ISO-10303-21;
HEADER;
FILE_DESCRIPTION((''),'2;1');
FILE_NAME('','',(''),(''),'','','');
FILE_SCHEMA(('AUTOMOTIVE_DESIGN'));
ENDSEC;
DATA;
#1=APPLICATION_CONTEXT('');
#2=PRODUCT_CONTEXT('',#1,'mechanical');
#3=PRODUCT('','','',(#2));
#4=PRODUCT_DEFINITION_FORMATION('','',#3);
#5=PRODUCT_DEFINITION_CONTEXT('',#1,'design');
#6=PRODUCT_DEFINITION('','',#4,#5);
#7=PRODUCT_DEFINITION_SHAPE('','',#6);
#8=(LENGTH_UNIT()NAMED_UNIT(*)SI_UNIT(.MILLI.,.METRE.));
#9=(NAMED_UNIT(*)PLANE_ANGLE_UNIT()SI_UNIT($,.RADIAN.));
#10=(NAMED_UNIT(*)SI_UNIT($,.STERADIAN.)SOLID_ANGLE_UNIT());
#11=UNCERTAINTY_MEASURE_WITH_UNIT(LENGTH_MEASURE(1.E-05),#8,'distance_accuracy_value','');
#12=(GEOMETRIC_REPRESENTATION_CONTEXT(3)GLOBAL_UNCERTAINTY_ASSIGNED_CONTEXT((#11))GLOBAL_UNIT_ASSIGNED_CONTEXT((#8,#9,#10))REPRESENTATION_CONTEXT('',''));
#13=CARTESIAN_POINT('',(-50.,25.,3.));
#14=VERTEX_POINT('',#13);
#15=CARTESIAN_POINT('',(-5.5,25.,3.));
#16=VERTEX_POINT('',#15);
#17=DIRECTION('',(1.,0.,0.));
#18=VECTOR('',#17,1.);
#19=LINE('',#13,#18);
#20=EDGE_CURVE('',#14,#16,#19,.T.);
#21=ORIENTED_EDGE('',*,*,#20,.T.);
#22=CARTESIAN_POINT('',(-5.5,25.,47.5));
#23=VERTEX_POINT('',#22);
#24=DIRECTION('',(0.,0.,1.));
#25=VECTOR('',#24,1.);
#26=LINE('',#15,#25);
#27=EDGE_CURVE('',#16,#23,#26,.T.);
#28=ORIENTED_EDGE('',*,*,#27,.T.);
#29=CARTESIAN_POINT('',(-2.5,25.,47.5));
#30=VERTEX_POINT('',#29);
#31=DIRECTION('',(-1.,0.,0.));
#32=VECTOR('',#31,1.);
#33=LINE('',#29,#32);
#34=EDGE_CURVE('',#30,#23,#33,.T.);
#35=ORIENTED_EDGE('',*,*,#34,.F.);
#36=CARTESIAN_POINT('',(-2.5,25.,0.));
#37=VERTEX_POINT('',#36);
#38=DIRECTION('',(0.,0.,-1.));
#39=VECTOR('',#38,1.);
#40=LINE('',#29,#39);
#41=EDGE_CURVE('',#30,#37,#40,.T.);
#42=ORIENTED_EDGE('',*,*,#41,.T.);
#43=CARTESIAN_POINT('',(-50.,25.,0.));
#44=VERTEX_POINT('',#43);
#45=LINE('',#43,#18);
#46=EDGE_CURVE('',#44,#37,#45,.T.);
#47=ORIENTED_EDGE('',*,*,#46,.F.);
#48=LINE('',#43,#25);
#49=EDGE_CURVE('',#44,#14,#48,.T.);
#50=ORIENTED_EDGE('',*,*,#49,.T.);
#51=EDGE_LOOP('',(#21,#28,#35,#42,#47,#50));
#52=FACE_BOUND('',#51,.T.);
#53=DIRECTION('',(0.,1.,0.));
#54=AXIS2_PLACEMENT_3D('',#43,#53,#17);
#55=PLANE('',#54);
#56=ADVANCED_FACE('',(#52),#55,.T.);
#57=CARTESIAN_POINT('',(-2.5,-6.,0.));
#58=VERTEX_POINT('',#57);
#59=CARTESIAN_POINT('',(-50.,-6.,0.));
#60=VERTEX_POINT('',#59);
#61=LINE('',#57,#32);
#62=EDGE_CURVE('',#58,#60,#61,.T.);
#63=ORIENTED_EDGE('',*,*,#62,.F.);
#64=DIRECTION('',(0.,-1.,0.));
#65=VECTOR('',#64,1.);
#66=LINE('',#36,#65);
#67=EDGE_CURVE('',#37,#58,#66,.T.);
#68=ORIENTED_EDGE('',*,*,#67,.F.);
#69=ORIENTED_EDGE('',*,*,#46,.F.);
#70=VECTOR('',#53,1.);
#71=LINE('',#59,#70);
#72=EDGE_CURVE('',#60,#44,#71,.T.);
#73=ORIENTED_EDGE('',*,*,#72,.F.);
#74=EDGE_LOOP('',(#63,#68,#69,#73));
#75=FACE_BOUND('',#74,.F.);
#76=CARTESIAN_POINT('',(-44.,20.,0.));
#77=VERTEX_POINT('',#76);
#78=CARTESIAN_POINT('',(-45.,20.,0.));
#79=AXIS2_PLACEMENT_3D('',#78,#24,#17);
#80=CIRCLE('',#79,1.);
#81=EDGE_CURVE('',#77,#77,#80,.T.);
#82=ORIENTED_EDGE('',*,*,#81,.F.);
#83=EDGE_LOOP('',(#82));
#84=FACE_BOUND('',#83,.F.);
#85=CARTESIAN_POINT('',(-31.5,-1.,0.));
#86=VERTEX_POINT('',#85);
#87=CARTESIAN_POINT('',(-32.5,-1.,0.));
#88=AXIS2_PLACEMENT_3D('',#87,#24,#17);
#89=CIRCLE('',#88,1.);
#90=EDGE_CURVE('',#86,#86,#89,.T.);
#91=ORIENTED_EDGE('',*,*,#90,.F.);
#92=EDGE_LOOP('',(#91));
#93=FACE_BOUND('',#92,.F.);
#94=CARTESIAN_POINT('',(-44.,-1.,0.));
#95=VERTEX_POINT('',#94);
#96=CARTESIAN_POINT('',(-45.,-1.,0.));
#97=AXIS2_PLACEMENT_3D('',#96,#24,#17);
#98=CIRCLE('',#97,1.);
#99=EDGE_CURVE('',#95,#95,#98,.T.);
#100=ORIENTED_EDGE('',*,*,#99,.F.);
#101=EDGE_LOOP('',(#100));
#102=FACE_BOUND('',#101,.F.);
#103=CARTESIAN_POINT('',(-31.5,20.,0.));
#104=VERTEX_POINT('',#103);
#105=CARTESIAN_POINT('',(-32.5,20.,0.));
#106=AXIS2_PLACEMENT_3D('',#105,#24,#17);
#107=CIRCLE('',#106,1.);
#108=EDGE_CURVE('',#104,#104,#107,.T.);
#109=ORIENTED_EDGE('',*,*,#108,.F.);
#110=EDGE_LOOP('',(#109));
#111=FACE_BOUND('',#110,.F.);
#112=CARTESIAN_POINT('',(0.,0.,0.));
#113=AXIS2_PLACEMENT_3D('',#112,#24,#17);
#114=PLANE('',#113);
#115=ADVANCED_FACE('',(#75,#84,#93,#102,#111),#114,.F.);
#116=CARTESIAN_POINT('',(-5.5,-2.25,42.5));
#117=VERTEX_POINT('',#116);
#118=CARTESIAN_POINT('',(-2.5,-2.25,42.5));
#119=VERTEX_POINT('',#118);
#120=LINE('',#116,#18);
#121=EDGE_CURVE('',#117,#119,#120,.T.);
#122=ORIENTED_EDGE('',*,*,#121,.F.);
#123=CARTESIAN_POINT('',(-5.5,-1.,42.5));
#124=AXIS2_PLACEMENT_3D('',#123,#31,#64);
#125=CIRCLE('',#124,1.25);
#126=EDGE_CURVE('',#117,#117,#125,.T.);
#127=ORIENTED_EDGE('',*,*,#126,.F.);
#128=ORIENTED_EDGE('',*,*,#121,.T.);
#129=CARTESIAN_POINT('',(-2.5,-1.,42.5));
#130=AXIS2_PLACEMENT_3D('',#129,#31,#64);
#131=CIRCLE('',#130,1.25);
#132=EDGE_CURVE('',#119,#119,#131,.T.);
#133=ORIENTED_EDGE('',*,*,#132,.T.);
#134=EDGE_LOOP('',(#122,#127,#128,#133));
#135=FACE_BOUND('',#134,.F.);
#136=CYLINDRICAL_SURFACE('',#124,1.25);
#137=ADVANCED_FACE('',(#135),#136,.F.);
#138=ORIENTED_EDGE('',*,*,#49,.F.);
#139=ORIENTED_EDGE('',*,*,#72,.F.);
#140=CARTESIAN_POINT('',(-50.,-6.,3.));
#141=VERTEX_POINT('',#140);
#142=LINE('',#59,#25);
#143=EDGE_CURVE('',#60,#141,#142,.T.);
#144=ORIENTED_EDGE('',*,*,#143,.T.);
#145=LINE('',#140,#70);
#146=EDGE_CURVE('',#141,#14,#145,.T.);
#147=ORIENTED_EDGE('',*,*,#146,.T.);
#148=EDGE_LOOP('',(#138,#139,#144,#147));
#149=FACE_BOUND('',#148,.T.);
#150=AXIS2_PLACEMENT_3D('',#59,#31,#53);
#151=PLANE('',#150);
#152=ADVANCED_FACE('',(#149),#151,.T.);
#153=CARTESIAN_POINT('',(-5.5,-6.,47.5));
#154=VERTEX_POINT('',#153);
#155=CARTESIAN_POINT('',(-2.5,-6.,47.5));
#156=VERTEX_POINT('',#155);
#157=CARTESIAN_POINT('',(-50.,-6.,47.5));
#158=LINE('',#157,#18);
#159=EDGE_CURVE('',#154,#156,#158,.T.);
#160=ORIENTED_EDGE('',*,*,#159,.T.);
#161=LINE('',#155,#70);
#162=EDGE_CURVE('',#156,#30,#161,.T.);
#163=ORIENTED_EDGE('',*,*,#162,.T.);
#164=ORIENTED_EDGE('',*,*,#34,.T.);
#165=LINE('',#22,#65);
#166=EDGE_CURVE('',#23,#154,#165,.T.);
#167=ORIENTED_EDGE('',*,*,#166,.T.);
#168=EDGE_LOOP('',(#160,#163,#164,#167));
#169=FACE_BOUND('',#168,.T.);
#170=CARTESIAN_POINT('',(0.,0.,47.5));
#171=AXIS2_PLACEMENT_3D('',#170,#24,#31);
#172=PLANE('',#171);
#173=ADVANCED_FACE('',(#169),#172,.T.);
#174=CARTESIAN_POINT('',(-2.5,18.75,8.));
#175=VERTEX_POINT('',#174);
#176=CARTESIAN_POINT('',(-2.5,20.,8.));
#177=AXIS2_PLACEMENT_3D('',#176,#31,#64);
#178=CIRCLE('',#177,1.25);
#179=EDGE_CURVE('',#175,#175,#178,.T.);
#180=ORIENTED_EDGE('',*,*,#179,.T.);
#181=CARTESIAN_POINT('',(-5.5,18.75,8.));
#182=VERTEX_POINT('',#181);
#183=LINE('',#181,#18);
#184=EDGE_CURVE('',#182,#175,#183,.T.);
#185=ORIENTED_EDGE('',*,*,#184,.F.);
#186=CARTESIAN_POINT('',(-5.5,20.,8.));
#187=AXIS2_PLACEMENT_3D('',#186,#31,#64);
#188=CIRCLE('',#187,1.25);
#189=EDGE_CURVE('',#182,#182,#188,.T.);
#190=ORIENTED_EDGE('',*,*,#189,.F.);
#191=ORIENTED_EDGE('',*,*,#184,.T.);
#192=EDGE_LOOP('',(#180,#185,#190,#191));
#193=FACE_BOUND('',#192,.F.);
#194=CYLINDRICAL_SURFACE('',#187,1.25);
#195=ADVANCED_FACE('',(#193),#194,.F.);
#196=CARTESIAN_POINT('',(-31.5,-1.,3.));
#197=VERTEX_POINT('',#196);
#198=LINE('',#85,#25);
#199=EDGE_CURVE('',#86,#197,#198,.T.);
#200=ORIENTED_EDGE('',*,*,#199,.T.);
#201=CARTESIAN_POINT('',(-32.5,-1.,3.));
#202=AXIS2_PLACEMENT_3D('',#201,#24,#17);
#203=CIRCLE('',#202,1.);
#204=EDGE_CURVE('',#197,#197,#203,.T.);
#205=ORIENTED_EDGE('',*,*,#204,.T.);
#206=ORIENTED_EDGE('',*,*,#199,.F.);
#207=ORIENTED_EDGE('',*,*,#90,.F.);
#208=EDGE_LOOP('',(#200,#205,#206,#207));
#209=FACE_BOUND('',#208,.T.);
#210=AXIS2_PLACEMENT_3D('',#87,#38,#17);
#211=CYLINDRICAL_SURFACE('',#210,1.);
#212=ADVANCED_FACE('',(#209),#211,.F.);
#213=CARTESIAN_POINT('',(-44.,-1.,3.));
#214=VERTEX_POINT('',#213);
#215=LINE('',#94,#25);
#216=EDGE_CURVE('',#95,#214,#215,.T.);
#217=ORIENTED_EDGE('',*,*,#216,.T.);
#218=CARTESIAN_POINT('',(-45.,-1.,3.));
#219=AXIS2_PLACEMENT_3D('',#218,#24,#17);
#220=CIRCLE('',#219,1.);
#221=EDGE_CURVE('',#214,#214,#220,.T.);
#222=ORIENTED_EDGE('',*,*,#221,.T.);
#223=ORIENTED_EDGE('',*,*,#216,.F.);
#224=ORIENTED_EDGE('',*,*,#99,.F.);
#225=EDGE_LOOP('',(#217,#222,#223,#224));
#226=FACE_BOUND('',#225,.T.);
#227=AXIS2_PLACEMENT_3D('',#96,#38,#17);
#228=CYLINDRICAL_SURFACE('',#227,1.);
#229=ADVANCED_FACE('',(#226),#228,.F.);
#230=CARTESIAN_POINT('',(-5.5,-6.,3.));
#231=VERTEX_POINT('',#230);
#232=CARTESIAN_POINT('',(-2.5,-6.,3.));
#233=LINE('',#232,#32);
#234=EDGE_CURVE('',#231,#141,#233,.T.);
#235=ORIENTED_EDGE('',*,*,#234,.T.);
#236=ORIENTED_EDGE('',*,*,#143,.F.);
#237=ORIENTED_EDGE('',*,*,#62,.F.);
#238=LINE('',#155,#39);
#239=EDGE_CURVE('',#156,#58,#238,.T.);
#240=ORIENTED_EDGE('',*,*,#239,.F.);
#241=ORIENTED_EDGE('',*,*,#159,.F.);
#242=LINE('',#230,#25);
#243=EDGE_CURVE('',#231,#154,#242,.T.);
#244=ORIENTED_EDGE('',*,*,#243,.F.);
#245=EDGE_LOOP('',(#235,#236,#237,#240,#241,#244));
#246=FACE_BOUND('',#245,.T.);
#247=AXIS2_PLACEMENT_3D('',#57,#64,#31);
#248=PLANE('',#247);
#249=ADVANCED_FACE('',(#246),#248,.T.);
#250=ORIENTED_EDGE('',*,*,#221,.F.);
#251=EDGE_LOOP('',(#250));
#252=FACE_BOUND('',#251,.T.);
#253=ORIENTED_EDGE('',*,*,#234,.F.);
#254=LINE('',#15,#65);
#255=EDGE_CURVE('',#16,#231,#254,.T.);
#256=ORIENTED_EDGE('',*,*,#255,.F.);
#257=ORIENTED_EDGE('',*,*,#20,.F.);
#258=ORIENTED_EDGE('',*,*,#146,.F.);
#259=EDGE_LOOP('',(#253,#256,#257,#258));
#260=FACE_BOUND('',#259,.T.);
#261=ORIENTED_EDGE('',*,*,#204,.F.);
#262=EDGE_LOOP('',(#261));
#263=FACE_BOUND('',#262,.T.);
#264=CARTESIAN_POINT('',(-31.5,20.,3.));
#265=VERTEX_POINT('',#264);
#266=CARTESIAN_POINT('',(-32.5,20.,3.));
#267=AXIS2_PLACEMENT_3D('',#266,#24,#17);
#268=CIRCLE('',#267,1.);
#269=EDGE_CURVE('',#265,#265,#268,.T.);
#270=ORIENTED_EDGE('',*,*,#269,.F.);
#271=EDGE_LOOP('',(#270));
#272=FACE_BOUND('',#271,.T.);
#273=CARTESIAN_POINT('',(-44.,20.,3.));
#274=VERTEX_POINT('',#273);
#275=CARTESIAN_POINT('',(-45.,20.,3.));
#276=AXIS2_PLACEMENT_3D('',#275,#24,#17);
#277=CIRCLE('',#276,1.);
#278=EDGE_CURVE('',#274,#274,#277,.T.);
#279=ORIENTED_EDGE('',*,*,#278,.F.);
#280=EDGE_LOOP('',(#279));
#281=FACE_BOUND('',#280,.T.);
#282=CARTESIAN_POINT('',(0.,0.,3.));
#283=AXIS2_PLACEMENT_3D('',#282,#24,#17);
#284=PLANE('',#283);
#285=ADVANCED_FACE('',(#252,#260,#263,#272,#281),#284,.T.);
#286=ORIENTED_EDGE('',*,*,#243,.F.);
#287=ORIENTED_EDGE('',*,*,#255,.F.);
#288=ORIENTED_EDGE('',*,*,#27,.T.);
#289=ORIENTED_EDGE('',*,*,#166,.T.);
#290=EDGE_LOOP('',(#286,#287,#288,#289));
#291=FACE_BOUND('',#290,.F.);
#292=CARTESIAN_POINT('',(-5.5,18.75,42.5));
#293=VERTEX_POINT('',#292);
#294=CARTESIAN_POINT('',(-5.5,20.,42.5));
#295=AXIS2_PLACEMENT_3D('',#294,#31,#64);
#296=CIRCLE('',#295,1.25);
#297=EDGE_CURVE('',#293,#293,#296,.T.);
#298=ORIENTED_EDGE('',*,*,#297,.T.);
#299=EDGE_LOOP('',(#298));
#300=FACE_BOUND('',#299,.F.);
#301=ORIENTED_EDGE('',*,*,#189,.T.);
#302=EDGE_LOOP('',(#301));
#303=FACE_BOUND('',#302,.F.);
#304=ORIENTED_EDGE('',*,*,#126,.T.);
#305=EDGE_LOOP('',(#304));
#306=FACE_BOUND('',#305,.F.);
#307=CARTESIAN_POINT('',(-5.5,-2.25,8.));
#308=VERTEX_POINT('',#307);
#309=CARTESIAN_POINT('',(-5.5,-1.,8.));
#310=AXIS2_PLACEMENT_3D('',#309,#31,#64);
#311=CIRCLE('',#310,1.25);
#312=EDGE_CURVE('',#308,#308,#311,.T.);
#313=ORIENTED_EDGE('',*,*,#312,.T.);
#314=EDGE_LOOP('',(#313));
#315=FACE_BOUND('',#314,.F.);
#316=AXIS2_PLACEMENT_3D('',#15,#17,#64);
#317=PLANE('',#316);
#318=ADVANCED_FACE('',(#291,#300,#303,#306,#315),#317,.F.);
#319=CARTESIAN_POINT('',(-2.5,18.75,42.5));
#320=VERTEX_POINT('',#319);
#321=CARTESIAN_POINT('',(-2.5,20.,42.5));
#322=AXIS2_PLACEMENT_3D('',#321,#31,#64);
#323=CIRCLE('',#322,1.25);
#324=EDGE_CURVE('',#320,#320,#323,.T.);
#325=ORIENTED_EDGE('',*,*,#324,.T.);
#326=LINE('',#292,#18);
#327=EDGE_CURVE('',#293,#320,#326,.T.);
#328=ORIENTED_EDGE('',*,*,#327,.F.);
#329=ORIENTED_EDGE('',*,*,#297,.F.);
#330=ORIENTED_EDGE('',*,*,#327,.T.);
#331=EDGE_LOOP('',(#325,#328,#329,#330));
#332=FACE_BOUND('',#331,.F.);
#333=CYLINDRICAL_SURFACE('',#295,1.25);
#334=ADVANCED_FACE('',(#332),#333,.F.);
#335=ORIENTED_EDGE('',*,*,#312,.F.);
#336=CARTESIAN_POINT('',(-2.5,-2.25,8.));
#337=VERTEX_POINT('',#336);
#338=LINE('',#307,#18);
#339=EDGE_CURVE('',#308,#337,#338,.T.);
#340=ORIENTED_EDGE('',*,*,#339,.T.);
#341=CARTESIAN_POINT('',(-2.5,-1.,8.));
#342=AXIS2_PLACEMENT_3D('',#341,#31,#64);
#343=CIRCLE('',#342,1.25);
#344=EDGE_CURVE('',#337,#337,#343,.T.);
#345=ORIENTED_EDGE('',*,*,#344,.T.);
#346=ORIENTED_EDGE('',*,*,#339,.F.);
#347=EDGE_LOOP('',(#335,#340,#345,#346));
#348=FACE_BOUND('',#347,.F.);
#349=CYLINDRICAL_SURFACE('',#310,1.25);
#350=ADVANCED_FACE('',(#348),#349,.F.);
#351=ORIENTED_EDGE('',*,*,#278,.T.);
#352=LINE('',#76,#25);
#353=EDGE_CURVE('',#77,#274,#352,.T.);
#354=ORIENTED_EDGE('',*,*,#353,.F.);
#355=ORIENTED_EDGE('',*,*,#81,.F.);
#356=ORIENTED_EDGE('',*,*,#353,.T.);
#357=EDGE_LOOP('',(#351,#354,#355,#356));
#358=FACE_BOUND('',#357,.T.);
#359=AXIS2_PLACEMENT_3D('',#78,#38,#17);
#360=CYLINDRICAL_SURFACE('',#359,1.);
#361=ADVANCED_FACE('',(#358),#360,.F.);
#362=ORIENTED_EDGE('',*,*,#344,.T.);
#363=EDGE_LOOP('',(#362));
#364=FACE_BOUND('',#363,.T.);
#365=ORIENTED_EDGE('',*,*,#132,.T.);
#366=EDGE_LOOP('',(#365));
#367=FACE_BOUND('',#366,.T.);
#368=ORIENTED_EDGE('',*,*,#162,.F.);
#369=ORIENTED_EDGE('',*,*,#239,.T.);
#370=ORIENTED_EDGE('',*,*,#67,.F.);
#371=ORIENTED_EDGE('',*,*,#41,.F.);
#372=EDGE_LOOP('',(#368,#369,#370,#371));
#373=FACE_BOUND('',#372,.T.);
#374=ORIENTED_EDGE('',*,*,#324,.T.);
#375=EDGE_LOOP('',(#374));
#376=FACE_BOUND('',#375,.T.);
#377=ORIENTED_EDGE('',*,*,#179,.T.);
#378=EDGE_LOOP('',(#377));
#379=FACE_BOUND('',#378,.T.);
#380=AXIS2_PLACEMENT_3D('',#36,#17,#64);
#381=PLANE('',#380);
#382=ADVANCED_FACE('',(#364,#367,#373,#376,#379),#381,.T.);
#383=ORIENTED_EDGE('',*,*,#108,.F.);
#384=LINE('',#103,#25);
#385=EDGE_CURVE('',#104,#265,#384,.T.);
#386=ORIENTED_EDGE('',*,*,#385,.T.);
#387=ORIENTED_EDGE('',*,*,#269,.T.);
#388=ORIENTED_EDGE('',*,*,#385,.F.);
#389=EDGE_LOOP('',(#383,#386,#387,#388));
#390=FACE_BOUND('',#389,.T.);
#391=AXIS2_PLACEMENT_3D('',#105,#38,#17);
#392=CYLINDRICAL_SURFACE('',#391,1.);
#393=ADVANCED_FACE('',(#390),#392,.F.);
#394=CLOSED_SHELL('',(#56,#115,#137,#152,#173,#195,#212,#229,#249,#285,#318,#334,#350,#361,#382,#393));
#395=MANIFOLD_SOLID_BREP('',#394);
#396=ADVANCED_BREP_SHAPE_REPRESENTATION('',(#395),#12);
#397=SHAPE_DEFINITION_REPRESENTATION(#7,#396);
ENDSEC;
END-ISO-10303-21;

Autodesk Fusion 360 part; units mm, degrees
sketch "Sketch1" plane through (0, 0, 0) normal (0, 0, 1) x (1, 0, 0)
  line L0 (-50, 25) -> (-2.5, 25)
  line L1 (-2.5, 25) -> (-2.5, -6)
  line L2 (-2.5, -6) -> (-50, -6)
  line L3 (-50, -6) -> (-50, 25)
  circle A0 centre (-45, 20) radius 1
  circle A1 centre (-32.5, 20) radius 1
  circle A2 centre (-45, -1) radius 1
  circle A3 centre (-32.5, -1) radius 1
  dimension "d1" = 2
  dimension "d2" = 2
  dimension "d3" = 2
  dimension "d4" = 2
  dimension "d5" = 12.5
  dimension "d6" = 5
  dimension "d7" = 5
  dimension "d8" = 12.5
  dimension "d9" = 21
  dimension "d10" = 21
  dimension "d11" = 5
  dimension "d12" = 5
  dimension "d13" = 5
  dimension "d14" = 5
  dimension "d15" = 30
  dimension "d16" = 47.5
  dimension "d17" = 31
extrude "Extrude1" add sketch "Sketch1" along normal blind 3
sketch "Sketch2" plane through (0, 0, 3) normal (0, 0, 1) x (-1, 0, 0)
  circle A0 centre (45, 1) radius 1
  circle A1 centre (32.5, 1) radius 1
  circle A2 centre (32.5, -20) radius 1
  circle A3 centre (45, -20) radius 1
  line L0 (50, 6) -> (2.5, 6)
  line L1 (2.5, 6) -> (2.5, -25)
  line L2 (2.5, -25) -> (50, -25)
  line L3 (50, -25) -> (50, 6)
  line L4 (2.5, -25) -> (5.5, -25)
  line L5 (5.5, -25) -> (5.5, 6)
  line L6 (5.5, 6) -> (2.5, 6)
  line L7 (2.5, 6) -> (2.5, -25)
  dimension "d20" = 3
  dimension "d21" = 31
extrude "Extrude2" add sketch "Sketch2" along normal blind 44.5 contours L0 L1 L2 L4 L5 L6 L7
sketch "Sketch3" plane through (-5.5, 0, 0) normal (-1, 0, 0) x (0, -1, 0)
  line L0 (-25, 3) -> (6, 3)
  line L1 (6, 3) -> (6, 47.5)
  line L2 (6, 47.5) -> (-25, 47.5)
  line L3 (-25, 47.5) -> (-25, 3)
  circle A0 centre (-20, 42.5) radius 1.25
  circle A1 centre (1, 42.5) radius 1.25
  circle A2 centre (-20, 8) radius 1.25
  circle A3 centre (1, 8) radius 1.25
  dimension "d24" = 2.5
  dimension "d25" = 2.5
  dimension "d26" = 2.5
  dimension "d27" = 2.5
  dimension "d28" = 5
  dimension "d29" = 5
  dimension "d30" = 5
  dimension "d31" = 5
  dimension "d32" = 5
  dimension "d33" = 5
  dimension "d34" = 5
  dimension "d35" = 5
extrude "Extrude3" cut sketch "Sketch3" against normal blind 3 contours A0 | A1 | A2 | A3
